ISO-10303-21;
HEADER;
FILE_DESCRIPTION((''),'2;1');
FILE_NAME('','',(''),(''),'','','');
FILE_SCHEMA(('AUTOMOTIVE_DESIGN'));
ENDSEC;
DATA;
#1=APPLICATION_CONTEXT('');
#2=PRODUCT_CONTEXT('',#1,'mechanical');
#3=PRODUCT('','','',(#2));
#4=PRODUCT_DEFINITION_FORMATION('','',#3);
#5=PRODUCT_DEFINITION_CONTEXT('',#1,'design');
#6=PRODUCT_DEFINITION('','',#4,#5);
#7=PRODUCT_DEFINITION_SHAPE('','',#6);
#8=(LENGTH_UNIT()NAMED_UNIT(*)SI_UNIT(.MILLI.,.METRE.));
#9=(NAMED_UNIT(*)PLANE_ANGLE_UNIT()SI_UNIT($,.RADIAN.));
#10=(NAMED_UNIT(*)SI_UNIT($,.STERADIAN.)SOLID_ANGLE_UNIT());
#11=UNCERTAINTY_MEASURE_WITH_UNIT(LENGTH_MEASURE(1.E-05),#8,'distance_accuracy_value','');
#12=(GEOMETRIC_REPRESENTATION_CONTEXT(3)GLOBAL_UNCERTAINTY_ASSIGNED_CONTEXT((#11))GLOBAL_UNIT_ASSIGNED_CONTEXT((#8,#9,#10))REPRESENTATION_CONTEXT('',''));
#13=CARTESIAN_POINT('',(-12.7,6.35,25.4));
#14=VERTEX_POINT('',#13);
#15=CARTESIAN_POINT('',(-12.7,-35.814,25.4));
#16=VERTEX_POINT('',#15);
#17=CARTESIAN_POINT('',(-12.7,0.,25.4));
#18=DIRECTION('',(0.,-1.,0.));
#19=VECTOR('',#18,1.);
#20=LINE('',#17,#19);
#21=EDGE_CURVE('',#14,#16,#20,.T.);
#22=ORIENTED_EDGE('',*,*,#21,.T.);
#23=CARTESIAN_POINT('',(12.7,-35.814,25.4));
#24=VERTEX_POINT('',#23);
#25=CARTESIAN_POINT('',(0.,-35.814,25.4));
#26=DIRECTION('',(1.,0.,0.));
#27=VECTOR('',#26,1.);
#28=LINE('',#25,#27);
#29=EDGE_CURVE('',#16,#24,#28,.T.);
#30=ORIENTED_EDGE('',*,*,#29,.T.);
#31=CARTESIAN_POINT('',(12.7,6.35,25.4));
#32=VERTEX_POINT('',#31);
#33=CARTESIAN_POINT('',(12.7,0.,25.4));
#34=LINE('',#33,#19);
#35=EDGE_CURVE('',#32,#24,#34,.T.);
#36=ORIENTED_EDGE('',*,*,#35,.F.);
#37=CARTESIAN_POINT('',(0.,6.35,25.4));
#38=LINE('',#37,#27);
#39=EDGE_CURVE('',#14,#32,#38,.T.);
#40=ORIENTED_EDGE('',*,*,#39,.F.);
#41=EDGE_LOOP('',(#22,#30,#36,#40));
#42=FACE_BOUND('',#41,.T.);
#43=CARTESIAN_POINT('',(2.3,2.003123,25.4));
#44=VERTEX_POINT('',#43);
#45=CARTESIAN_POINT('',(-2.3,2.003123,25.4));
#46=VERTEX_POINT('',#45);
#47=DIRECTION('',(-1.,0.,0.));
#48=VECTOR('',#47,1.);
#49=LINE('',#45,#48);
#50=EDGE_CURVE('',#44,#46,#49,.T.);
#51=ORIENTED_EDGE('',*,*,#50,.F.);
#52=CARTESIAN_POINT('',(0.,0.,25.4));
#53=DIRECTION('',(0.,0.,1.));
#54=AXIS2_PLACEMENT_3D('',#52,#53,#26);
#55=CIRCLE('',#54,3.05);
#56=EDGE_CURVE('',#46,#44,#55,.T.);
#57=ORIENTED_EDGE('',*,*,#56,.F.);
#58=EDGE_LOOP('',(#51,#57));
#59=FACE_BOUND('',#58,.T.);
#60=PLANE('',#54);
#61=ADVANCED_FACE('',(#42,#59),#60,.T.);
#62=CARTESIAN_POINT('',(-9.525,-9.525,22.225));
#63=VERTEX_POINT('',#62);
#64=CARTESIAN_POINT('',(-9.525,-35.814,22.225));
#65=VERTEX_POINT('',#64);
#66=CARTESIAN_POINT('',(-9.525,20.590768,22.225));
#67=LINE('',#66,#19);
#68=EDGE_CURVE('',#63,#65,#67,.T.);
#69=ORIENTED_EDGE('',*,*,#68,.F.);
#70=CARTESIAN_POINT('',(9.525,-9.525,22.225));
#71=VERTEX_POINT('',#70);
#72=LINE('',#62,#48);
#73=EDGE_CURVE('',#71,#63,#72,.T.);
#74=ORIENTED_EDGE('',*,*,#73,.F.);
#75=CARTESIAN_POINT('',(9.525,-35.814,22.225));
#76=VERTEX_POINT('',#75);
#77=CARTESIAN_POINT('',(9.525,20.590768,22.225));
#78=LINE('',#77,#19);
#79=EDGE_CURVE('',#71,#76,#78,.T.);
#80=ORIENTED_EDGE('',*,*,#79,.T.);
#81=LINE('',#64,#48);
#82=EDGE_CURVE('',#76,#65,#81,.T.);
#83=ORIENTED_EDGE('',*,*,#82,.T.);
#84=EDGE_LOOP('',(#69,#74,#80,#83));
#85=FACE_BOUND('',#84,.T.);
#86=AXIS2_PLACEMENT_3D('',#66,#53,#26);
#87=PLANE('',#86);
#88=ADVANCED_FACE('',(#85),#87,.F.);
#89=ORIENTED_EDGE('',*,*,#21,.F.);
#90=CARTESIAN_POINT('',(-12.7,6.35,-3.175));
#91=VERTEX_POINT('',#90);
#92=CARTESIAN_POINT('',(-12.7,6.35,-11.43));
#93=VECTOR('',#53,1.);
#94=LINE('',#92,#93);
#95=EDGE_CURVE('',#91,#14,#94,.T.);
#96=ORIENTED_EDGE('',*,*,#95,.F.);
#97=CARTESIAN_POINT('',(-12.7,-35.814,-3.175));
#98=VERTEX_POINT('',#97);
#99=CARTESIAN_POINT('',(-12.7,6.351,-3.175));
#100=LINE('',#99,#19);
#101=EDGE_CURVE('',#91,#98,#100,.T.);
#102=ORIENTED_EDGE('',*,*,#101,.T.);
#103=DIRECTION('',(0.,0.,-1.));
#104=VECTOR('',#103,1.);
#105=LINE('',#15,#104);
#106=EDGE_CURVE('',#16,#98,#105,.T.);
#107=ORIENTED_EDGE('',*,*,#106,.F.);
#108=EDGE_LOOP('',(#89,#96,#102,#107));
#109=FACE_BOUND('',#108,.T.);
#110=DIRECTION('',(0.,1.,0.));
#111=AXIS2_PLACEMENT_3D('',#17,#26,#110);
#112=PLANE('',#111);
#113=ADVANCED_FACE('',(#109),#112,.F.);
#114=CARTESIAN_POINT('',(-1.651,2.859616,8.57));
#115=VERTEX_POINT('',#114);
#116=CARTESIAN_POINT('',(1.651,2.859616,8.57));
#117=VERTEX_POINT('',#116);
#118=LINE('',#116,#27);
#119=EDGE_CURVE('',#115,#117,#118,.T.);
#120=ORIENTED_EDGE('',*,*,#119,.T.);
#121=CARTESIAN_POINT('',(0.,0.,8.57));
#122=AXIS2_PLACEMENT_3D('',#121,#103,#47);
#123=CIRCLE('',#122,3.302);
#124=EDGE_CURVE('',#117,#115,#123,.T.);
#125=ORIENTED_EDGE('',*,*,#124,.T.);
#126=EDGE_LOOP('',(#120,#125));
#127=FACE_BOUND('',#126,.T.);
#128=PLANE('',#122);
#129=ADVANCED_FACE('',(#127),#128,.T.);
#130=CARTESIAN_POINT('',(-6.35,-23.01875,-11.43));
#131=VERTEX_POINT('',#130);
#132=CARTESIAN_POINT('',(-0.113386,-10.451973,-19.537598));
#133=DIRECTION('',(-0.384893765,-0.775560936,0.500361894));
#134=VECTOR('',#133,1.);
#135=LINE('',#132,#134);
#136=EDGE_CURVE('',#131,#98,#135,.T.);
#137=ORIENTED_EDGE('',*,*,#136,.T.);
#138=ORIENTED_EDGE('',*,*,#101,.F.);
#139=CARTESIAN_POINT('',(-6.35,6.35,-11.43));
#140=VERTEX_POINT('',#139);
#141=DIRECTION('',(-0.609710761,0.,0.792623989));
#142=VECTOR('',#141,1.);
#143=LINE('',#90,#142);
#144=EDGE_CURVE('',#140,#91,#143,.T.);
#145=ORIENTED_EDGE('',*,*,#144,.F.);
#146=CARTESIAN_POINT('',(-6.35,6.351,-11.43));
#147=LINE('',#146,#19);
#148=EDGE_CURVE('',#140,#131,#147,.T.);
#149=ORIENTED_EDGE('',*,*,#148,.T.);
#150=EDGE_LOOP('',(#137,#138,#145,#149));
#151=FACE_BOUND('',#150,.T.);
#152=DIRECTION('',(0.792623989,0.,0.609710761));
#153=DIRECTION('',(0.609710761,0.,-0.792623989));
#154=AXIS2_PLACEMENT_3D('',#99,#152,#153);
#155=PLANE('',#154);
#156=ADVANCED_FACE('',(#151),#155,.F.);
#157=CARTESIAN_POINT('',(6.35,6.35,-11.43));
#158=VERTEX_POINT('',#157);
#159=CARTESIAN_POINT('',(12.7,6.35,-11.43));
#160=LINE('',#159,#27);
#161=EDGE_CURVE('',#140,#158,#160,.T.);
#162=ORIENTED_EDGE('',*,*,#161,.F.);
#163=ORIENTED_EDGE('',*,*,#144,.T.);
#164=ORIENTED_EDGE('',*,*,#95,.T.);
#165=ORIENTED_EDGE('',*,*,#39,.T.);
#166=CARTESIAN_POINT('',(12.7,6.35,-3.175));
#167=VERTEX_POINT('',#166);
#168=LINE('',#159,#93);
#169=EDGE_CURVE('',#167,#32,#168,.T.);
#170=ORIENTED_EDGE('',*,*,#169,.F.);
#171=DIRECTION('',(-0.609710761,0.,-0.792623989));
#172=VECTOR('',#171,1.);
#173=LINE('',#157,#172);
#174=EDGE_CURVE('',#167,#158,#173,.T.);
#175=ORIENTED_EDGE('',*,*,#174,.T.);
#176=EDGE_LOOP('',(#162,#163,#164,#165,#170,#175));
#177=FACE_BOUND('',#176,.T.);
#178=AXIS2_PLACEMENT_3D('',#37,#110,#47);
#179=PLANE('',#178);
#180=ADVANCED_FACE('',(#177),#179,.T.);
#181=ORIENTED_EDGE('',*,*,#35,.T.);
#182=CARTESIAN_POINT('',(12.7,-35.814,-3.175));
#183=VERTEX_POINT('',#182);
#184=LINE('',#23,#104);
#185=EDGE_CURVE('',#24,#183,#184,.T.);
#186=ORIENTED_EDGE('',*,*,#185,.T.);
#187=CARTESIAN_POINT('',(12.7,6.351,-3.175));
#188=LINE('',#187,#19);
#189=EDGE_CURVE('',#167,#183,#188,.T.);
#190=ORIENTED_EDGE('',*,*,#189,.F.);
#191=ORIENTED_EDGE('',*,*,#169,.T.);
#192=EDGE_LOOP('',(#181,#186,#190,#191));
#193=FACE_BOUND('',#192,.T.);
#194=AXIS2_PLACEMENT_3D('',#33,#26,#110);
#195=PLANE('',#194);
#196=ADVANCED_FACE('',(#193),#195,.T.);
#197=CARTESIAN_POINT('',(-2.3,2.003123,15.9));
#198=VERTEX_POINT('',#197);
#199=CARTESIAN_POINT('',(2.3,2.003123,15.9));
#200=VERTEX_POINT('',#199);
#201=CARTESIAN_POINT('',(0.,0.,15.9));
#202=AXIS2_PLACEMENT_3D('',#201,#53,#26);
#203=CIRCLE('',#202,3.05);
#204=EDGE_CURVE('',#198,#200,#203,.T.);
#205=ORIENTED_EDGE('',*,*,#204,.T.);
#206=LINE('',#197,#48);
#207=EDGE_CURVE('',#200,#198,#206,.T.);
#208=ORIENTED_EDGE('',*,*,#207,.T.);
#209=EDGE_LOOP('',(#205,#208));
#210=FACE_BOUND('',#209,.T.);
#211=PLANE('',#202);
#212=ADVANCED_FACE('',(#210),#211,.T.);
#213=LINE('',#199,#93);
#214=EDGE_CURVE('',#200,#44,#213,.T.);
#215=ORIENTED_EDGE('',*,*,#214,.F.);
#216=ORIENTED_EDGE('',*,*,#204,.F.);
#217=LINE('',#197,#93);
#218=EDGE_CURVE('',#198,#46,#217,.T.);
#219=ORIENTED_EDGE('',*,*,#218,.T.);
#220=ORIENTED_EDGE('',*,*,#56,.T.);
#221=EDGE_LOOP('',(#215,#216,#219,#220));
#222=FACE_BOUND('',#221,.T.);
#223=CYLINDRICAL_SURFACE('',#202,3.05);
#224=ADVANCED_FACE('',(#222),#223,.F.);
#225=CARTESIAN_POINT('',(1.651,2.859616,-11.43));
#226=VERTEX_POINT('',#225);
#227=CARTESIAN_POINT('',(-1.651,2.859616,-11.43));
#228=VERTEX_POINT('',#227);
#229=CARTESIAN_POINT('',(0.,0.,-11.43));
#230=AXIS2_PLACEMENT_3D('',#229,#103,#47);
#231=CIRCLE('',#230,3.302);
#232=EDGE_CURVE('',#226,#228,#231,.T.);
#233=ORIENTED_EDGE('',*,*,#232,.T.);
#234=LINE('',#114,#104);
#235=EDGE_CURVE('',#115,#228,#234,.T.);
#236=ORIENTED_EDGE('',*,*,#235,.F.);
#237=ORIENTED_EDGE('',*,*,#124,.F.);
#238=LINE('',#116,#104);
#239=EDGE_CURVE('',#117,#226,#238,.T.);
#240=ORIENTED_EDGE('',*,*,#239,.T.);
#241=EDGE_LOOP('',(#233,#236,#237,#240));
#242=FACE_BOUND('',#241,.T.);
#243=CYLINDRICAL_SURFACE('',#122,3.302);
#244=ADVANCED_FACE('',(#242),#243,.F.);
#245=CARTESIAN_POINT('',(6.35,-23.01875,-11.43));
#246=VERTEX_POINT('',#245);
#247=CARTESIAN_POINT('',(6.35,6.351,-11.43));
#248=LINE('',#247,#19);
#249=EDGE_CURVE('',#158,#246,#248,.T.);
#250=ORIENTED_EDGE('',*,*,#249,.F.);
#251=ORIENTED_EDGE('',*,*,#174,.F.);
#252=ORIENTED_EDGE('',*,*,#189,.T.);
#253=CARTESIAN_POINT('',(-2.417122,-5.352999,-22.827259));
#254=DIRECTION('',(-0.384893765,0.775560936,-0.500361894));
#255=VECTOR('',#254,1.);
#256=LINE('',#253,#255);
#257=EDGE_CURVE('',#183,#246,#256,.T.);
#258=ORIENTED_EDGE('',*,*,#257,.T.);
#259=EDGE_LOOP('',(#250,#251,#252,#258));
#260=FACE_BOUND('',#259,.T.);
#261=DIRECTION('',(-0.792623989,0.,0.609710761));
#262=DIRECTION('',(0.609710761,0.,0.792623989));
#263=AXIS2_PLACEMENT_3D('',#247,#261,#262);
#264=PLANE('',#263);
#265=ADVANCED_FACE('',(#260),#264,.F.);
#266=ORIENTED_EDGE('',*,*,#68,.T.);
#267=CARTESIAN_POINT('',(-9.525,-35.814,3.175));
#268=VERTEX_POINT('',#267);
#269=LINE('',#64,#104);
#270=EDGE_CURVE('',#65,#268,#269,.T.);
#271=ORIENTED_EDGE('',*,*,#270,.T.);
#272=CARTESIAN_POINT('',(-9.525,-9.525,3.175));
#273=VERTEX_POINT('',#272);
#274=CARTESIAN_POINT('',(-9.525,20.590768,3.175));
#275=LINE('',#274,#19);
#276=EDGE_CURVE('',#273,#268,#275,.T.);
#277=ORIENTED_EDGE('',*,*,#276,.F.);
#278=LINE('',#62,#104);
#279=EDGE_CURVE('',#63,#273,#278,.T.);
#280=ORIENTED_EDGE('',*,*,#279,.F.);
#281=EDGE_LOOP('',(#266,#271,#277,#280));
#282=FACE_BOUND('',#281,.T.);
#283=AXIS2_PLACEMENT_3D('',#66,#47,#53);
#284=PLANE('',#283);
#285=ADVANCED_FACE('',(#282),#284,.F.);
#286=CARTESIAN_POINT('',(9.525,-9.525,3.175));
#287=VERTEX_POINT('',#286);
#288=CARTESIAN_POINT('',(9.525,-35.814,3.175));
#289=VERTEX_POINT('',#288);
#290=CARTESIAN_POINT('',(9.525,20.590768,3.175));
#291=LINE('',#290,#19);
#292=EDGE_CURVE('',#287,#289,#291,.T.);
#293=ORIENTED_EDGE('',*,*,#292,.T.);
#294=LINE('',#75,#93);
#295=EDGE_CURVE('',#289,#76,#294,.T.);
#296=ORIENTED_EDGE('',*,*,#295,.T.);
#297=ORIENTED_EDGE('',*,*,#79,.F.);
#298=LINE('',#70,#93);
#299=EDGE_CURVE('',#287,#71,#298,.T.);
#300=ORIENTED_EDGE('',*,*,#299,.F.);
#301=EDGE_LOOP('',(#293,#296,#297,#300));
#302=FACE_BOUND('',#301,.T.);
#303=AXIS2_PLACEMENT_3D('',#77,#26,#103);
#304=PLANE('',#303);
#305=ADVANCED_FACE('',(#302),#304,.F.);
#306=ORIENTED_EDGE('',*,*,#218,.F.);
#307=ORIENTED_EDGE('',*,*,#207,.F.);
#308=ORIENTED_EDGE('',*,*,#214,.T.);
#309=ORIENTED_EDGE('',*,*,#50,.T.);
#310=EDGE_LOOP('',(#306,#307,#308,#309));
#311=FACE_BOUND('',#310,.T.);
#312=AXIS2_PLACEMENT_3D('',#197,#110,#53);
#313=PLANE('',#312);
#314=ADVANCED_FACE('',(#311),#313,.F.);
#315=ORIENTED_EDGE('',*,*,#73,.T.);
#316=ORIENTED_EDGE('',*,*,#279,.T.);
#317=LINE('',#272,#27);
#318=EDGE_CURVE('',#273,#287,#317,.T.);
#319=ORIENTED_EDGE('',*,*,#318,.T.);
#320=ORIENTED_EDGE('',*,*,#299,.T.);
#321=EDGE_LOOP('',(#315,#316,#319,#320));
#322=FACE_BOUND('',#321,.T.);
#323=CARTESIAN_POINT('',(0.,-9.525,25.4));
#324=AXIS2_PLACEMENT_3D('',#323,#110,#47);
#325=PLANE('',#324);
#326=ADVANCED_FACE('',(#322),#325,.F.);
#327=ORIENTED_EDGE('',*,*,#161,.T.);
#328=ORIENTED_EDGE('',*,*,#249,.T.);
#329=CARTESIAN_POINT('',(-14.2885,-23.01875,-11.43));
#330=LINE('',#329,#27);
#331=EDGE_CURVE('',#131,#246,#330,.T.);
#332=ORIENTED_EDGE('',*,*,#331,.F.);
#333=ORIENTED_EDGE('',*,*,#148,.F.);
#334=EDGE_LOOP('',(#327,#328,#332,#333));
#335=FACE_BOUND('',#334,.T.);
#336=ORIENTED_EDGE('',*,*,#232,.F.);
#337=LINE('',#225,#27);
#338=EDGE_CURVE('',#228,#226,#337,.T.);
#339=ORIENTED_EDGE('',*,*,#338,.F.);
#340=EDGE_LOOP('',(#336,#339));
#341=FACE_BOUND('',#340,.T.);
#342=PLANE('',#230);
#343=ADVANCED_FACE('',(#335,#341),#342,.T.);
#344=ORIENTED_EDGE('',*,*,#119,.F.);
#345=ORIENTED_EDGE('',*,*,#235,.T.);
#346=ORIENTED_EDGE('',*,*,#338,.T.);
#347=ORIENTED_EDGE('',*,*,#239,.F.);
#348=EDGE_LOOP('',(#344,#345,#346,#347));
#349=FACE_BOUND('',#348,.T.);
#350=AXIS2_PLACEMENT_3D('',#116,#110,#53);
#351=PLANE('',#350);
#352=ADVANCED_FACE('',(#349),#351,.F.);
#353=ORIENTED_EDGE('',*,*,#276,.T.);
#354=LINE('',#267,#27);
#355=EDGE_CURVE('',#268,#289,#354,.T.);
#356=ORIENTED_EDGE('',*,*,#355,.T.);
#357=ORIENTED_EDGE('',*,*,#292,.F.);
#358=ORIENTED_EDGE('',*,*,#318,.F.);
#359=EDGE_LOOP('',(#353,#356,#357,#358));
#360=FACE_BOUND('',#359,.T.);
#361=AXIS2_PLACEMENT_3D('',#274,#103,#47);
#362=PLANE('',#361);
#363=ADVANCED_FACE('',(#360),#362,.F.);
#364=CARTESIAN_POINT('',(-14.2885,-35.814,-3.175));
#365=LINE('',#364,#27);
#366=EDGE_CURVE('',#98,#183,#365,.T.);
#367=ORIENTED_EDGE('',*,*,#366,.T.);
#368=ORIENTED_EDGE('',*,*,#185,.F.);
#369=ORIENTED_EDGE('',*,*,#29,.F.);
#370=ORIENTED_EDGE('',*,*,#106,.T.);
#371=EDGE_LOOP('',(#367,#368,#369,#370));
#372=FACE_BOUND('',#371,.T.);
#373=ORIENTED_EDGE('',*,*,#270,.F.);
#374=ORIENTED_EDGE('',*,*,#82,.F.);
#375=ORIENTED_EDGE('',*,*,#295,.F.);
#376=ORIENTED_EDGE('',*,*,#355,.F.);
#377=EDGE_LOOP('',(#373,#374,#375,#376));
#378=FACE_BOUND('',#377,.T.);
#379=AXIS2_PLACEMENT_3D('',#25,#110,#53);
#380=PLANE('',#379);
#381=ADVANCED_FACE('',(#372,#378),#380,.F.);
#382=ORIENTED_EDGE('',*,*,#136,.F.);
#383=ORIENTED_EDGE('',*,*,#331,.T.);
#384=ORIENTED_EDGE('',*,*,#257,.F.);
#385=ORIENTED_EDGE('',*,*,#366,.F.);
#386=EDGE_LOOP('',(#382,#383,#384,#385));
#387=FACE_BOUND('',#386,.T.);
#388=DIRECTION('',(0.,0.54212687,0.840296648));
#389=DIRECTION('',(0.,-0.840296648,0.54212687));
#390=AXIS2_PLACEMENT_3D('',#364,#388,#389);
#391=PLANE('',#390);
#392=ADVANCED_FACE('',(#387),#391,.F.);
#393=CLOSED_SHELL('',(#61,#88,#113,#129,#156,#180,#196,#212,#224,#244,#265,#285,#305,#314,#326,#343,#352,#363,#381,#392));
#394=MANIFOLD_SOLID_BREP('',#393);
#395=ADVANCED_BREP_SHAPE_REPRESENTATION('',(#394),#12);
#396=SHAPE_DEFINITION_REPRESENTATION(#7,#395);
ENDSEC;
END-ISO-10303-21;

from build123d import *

# Parameters (mm, degrees)
BOSS_EXTRUDE1_DEPTH = 25.4
CUT_EXTRUDE1_DEPTH  = 9.5
SKETCH5_W           = 25.4
SKETCH5_H           = 42.164
BOSS_EXTRUDE2_DEPTH = 11.43
CUT_EXTRUDE2_REACH  = 53.538
CUT_EXTRUDE3_REACH  = 53.255
CUT_EXTRUDE4_DEPTH  = 20
SKETCH10_W          = 19.05
SKETCH10_H          = 19.05
CUT_EXTRUDE5_DEPTH  = 26.289
CUT_EXTRUDE6_REACH  = 55.322
SKETCH11_W          = 1.5875
SKETCH11_H          = 12.7


with BuildPart() as part:
    # Sketch2 → Boss-Extrude1 (new body)
    with BuildSketch(Plane.XY):
        Polygon((12.7, -6.35), (14.2875, -6.35), (14.2875, 6.35), (-14.2875, 6.35), (-14.2875, -6.35), (-12.7, -6.35), (-12.7, -35.814), (12.7, -35.814), align=None)
    extrude(amount=BOSS_EXTRUDE1_DEPTH)

    # Sketch3 → Cut-Extrude1 (cut)
    with BuildSketch(Plane.XY.offset(25.4)):
        with BuildLine():
            Line((-2.3, 2.003122562), (2.3, 2.003122562))
            ThreePointArc((2.3, 2.003122562), (0, -3.05), (-2.3, 2.003122562))
        make_face()
    extrude(amount=-CUT_EXTRUDE1_DEPTH, mode=Mode.SUBTRACT)

    # Sketch5 → Boss-Extrude2 (add)
    with BuildSketch(Plane(origin=(0, 0, 0), x_dir=(-1, 0, 0), z_dir=(0, 0, -1))):
        with Locations((0, -14.732)):
            Rectangle(SKETCH5_W, SKETCH5_H)
    extrude(amount=BOSS_EXTRUDE2_DEPTH)

    # Sketch6 → Cut-Extrude2 (cut, up to next)
    with BuildSketch(Plane(origin=(12.7, 0, 0), x_dir=(0, 0, -1), z_dir=(1, 0, 0)), mode=Mode.PRIVATE) as cut_extrude2_sk1:
        Polygon((3.175, -35.814), (11.43, -23.01875), (11.43, -35.814), align=None)
    cut_extrude2_tool1 = extrude(cut_extrude2_sk1.sketch, amount=-CUT_EXTRUDE2_REACH, mode=Mode.PRIVATE) & part.part
    add(cut_extrude2_tool1.solids().sort_by_distance((12.7, -31.548917, -8.678333))[0], mode=Mode.SUBTRACT)

    # Sketch7 → Cut-Extrude3 (cut, up to next)
    with BuildSketch(Plane.XZ.offset(35.814), mode=Mode.PRIVATE) as cut_extrude3_sk1:
        Polygon((-12.7, -11.43), (-12.7, -3.175), (-6.35, -11.43), align=None)
    cut_extrude3_tool1 = extrude(cut_extrude3_sk1.sketch, amount=-CUT_EXTRUDE3_REACH, mode=Mode.PRIVATE) & part.part
    # Sketch7 → Cut-Extrude3 (cut, up to next)
    with BuildSketch(Plane.XZ.offset(35.814), mode=Mode.PRIVATE) as cut_extrude3_sk2:
        Polygon((6.35, -11.43), (12.7, -3.175), (12.7, -11.43), align=None)
    cut_extrude3_tool2 = extrude(cut_extrude3_sk2.sketch, amount=-CUT_EXTRUDE3_REACH, mode=Mode.PRIVATE) & part.part
    add(cut_extrude3_tool1.solids().sort_by_distance((-10.583333, -35.814, -8.678333))[0], mode=Mode.SUBTRACT)
    add(cut_extrude3_tool2.solids().sort_by_distance((10.583333, -35.814, -8.678333))[0], mode=Mode.SUBTRACT)

    # Sketch8 → Cut-Extrude4 (cut)
    with BuildSketch(Plane(origin=(0, 0, -11.43), x_dir=(-1, 0, 0), z_dir=(0, 0, -1))):
        with BuildLine():
            Line((-1.651, 2.859615883), (1.651, 2.859615883))
            ThreePointArc((1.651, 2.859615883), (0, -3.302), (-1.651, 2.859615883))
        make_face()
    extrude(amount=-CUT_EXTRUDE4_DEPTH, mode=Mode.SUBTRACT)

    # Sketch10 → Cut-Extrude5 (cut)
    with BuildSketch(Plane.XZ.offset(35.814)):
        with Locations((0, 12.7)):
            Rectangle(SKETCH10_W, SKETCH10_H)
    extrude(amount=-CUT_EXTRUDE5_DEPTH, mode=Mode.SUBTRACT)

    # Sketch11 → Cut-Extrude6 (cut, up to next)
    with BuildSketch(Plane.XY.offset(25.4), mode=Mode.PRIVATE) as cut_extrude6_sk1:
        with Locations((-13.49375, 0)):
            Rectangle(SKETCH11_W, SKETCH11_H)
    cut_extrude6_tool1 = extrude(cut_extrude6_sk1.sketch, amount=-CUT_EXTRUDE6_REACH, mode=Mode.PRIVATE) & part.part
    # Sketch11 → Cut-Extrude6 (cut, up to next)
    with BuildSketch(Plane.XY.offset(25.4), mode=Mode.PRIVATE) as cut_extrude6_sk2:
        with Locations((13.49375, 0)):
            Rectangle(SKETCH11_W, SKETCH11_H)
    cut_extrude6_tool2 = extrude(cut_extrude6_sk2.sketch, amount=-CUT_EXTRUDE6_REACH, mode=Mode.PRIVATE) & part.part
    add(cut_extrude6_tool1.solids().sort_by_distance((-13.49375, 0, 25.4))[0], mode=Mode.SUBTRACT)
    add(cut_extrude6_tool2.solids().sort_by_distance((13.49375, 0, 25.4))[0], mode=Mode.SUBTRACT)


solid = part.part
